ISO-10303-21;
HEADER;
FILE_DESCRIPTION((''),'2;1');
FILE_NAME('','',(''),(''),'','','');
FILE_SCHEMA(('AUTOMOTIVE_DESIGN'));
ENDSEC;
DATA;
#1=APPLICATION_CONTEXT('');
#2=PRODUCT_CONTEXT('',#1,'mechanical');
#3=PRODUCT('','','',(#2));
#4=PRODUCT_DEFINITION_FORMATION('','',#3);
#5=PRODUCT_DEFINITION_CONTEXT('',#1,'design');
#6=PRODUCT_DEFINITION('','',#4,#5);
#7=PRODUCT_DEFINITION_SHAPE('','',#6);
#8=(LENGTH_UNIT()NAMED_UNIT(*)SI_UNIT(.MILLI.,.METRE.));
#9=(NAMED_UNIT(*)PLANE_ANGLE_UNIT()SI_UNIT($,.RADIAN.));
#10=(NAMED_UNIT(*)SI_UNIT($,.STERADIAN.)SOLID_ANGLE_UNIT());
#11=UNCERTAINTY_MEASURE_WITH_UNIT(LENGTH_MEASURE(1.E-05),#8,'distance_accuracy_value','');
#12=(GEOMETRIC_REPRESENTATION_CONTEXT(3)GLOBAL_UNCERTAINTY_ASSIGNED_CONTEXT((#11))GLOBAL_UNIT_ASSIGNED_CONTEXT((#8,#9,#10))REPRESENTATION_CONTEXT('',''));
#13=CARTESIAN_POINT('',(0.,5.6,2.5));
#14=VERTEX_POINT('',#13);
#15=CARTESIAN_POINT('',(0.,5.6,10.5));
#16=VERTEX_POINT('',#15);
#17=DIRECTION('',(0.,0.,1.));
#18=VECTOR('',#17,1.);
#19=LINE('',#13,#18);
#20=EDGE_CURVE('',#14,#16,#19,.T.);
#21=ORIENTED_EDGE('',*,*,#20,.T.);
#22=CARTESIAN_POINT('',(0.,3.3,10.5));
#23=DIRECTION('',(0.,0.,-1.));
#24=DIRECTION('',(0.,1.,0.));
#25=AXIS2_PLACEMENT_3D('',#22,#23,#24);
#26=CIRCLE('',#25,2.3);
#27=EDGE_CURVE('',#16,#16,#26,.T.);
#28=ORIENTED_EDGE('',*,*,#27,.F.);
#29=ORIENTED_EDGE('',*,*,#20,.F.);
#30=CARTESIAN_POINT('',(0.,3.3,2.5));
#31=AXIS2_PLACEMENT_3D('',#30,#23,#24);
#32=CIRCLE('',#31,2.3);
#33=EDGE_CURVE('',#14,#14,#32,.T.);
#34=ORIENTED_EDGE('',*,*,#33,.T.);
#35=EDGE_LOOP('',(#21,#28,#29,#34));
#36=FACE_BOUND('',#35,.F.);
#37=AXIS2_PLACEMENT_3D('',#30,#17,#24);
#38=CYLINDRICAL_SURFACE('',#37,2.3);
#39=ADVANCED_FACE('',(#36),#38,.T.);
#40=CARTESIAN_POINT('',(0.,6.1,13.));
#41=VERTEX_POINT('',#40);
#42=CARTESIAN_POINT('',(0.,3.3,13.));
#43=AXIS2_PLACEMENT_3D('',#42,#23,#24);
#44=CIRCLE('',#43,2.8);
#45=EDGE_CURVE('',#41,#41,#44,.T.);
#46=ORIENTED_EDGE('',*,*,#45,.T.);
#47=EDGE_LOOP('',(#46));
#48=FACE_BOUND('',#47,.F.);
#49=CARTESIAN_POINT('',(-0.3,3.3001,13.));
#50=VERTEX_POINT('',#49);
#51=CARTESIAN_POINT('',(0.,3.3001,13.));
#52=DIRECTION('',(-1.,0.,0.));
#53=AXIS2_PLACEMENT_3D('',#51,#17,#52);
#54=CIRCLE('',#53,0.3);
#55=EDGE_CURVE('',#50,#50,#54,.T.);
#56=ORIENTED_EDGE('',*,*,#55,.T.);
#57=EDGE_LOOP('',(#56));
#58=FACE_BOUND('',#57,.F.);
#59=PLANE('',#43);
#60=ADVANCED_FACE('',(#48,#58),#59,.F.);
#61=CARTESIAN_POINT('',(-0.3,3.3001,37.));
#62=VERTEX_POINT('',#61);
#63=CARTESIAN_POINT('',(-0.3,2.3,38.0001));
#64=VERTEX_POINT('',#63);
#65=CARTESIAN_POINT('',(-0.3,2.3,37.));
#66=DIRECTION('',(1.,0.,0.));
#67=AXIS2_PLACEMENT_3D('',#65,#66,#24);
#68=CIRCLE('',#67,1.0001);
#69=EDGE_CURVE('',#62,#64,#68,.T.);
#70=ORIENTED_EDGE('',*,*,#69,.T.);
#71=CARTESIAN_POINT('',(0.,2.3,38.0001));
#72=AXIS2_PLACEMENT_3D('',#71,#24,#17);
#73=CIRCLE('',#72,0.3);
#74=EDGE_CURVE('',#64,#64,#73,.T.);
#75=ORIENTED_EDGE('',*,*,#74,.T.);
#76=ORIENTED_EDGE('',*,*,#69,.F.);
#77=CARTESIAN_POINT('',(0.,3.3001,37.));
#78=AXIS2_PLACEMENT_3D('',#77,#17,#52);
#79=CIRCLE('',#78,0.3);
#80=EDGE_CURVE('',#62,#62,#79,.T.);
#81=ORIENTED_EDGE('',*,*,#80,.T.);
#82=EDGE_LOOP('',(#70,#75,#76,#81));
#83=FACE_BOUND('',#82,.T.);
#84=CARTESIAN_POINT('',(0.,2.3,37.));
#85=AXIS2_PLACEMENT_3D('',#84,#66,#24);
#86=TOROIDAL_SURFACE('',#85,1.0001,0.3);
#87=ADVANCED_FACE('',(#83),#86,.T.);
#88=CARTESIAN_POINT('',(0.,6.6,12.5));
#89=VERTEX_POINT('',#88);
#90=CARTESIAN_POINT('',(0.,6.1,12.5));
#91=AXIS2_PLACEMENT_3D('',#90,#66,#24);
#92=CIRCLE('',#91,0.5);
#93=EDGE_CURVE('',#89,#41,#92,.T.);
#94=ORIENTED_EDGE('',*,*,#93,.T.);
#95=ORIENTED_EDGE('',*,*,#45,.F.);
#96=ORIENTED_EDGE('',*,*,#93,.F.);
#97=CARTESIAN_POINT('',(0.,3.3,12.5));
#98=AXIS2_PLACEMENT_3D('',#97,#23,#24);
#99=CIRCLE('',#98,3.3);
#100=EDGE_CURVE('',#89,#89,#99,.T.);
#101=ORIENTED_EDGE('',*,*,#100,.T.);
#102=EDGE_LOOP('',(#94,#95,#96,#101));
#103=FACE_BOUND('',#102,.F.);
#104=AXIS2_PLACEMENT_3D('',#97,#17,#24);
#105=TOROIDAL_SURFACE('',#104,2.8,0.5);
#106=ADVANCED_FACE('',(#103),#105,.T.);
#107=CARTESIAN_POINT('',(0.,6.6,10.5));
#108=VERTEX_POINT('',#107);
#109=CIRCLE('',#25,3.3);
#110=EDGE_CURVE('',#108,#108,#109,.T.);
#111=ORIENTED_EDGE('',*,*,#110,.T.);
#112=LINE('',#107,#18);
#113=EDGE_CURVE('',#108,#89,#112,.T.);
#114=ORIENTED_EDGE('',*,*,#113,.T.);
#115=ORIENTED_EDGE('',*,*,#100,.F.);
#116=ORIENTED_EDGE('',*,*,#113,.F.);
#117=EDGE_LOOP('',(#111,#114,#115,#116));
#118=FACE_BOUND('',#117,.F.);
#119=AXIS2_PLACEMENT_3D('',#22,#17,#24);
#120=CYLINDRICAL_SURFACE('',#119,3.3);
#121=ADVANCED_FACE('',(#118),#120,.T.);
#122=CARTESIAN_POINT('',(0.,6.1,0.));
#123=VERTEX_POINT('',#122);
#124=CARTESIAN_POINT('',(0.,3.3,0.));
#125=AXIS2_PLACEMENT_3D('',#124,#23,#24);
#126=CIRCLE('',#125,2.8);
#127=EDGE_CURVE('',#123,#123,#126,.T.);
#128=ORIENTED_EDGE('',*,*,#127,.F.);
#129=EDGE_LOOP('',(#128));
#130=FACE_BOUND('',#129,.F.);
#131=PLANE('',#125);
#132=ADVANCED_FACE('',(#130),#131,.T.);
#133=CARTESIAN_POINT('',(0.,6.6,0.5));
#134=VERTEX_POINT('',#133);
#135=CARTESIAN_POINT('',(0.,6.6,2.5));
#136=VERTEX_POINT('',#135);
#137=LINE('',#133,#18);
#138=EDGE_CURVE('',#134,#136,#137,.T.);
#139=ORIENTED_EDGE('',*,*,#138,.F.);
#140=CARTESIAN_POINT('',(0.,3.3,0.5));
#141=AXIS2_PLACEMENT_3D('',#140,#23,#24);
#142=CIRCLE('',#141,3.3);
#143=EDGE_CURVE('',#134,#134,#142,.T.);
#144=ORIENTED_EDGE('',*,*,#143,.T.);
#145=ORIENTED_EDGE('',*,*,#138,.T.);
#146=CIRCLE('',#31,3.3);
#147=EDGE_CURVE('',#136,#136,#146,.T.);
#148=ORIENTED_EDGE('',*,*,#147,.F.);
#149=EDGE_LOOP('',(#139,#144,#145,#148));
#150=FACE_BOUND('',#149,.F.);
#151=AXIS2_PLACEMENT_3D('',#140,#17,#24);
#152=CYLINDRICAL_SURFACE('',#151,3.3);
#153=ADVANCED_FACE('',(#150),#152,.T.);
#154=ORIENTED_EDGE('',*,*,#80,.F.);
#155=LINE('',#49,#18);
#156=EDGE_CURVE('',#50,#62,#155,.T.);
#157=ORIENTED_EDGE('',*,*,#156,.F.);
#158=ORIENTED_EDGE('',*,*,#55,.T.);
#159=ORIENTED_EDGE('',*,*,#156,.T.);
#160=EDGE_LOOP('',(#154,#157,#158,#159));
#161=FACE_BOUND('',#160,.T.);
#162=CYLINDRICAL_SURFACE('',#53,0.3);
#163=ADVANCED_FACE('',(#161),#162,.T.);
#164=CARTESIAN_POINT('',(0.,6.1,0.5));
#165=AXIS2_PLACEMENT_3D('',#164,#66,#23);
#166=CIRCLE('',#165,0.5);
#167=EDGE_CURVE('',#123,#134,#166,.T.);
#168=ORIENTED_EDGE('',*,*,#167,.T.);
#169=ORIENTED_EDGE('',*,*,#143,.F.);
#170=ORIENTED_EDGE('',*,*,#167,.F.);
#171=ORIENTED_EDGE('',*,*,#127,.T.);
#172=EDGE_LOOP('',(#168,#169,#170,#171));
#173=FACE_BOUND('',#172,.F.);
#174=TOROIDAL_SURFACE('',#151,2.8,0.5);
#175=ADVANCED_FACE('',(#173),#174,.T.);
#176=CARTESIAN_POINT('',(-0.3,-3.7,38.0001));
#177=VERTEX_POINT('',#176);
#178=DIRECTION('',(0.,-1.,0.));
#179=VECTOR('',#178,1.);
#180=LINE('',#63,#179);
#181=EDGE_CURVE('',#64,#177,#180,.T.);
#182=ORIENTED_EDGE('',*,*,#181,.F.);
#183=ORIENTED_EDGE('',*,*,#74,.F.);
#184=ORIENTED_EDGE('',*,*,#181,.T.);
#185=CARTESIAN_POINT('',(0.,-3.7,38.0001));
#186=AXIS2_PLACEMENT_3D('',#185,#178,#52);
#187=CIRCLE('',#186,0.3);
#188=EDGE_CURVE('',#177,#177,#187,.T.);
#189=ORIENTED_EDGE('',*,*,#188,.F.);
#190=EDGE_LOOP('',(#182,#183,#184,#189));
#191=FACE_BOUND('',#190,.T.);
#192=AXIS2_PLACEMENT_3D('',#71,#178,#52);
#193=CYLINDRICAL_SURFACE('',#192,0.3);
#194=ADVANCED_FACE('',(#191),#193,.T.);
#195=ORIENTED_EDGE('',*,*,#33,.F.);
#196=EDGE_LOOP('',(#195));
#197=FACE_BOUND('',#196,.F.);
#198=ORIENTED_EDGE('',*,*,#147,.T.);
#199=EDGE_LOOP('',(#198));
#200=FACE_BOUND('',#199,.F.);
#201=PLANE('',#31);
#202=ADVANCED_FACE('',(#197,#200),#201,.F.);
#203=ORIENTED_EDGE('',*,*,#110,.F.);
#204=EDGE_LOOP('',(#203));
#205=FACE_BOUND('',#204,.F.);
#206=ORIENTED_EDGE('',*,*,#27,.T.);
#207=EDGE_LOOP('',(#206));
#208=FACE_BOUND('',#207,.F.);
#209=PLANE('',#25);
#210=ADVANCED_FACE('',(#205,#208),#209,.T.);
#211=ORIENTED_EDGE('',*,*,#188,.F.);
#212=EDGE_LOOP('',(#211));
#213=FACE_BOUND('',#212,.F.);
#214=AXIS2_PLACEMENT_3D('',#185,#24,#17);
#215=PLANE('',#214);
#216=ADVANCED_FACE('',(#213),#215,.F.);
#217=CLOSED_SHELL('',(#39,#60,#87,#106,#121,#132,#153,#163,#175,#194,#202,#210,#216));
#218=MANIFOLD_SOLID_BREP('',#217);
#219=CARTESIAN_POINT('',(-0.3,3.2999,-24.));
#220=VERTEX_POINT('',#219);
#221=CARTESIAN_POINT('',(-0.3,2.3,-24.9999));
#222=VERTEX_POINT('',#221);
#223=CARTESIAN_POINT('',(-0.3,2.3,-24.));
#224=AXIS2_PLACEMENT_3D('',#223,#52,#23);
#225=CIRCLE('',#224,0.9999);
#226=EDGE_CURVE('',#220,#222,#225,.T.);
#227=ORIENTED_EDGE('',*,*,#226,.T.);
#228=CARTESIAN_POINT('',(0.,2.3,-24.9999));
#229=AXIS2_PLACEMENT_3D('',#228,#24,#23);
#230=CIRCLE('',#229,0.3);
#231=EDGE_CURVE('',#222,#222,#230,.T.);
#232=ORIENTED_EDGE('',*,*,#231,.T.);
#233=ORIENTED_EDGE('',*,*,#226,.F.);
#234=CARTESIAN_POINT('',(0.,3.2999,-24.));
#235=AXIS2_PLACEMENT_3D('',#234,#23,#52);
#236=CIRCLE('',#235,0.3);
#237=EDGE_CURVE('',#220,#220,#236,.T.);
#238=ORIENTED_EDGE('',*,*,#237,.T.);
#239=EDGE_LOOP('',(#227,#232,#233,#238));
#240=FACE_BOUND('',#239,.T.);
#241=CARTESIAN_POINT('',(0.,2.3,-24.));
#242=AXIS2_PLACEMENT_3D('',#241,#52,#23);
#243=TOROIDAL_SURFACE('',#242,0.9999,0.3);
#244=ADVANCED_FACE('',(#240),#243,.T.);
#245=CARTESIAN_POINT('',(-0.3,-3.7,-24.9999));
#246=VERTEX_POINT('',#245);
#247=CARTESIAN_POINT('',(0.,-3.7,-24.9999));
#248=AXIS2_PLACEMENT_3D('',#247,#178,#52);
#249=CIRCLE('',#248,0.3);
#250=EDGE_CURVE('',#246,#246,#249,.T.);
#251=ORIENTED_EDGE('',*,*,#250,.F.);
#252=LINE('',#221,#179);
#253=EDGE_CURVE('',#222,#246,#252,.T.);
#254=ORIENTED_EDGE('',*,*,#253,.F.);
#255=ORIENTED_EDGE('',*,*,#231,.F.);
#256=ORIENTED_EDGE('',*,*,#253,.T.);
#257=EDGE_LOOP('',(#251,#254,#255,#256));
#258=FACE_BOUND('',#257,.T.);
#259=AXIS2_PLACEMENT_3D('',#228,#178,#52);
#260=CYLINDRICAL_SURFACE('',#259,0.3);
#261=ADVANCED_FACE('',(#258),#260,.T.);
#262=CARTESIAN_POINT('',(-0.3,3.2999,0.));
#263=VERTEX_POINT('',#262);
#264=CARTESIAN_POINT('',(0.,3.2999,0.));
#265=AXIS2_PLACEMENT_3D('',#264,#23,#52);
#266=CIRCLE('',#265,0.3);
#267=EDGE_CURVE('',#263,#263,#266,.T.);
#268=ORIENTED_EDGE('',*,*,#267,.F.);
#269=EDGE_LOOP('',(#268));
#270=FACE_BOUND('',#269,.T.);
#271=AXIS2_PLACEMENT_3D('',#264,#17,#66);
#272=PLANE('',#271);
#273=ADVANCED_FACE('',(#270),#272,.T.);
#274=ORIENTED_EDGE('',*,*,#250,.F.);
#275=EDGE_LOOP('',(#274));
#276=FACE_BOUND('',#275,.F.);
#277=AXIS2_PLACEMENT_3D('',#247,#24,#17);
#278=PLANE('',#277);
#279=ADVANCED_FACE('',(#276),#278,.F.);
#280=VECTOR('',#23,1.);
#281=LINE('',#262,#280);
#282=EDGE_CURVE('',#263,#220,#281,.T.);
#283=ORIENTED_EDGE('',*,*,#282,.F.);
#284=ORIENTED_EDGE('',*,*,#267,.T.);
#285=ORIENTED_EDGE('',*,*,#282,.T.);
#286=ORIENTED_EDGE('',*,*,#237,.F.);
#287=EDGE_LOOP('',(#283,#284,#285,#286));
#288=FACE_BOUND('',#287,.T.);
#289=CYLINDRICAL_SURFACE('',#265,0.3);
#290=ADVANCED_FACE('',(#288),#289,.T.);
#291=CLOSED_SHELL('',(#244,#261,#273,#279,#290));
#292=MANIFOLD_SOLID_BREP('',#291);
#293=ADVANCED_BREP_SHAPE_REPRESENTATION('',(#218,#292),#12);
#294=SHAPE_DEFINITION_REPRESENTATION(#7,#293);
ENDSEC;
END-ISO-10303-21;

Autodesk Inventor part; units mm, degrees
ref_plane "YZ Plane" through (0, 0, 0) normal (1, 0, 0) x (0, 1, 0)
ref_plane "XZ Plane" through (0, 0, 0) normal (0, 1, 0) x (-1, 0, 0)
ref_plane "XY Plane" through (0, 0, 0) normal (0, 0, 1) x (1, 0, 0)
sketch "Sketch1" plane through (0, 0, 0) normal (1, 0, 0) x (0, 1, 0)
  line L0 (0.5, 0) -> (6.1, 0)
  line L1 (6.6, 0.5) -> (6.6, 2.5)
  line L2 (6.6, 2.5) -> (5.6, 2.5)
  line L3 (5.6, 2.5) -> (5.6, 10.5)
  line L4 (5.6, 10.5) -> (6.6, 10.5)
  line L5 (6.6, 10.5) -> (6.6, 12.5)
  line L6 (6.1, 13) -> (0.5, 13)
  line L7 (0, 12.5) -> (0, 10.5)
  line L8 (0, 10.5) -> (1, 10.5)
  line L9 (1, 10.5) -> (1, 2.5)
  line L10 (1, 2.5) -> (0, 2.5)
  line L11 (0, 2.5) -> (0, 0.5)
  arc A0 (6.6, 12.5) -> (6.1, 13) centre (6.1, 12.5) ccw
  arc A1 (0.5, 13) -> (0, 12.5) centre (0.5, 12.5) ccw
  arc A2 (6.1, 0) -> (6.6, 0.5) centre (6.1, 0.5) ccw
  arc A3 (0, 0.5) -> (0.5, 0) centre (0.5, 0.5) ccw
  line L12 (3.3, 13) -> (3.3, 0)
  point P0 (6.6, 13)
sketch "Sketch2" plane through (0, 0, 0) normal (1, 0, 0) x (0, 1, 0)
  line L0 (3.3, 13) -> (3.3, 37)
  line L1 (2.3, 38) -> (-3.7, 38)
  arc A0 (3.3, 37) -> (2.3, 38) centre (2.3, 37) ccw
sketch "Sketch3" plane through (0, 0, 0) normal (1, 0, 0) x (0, 1, 0)
  line L0 (3.3, 0) -> (3.3, -24)
  line L1 (2.3, -25) -> (-3.7, -25)
  arc A0 (2.3, -25) -> (3.3, -24) centre (2.3, -24) ccw
sketch "Sketch4" plane through (0, 0, 0) normal (0, 1, 0) x (-1, 0, 0)
  circle A0 centre (0, 38.0001) radius 0.3
  point P0 (0, 0)
sketch "Sketch5" plane through (0, 0, 0) normal (0, 1, 0) x (-1, 0, 0)
  circle A0 centre (0, -24.9999) radius 0.3
  point P0 (0, 0)
sweep "Sweep1" add profiles "Sketch4" path "Sketch2"
sweep "Sweep2" add profiles "Sketch5" path "Sketch3" separate body
revolve "Revolution2" add sketch "Sketch1" angle 360 about axis through (0, 3.3, 13) along (0, 0, -1) bodies 1 contours L12 L6 A0 L5 L4 L3 L2 L1 A2 L0
properties part number "МЛТ-1" material "Copper"
